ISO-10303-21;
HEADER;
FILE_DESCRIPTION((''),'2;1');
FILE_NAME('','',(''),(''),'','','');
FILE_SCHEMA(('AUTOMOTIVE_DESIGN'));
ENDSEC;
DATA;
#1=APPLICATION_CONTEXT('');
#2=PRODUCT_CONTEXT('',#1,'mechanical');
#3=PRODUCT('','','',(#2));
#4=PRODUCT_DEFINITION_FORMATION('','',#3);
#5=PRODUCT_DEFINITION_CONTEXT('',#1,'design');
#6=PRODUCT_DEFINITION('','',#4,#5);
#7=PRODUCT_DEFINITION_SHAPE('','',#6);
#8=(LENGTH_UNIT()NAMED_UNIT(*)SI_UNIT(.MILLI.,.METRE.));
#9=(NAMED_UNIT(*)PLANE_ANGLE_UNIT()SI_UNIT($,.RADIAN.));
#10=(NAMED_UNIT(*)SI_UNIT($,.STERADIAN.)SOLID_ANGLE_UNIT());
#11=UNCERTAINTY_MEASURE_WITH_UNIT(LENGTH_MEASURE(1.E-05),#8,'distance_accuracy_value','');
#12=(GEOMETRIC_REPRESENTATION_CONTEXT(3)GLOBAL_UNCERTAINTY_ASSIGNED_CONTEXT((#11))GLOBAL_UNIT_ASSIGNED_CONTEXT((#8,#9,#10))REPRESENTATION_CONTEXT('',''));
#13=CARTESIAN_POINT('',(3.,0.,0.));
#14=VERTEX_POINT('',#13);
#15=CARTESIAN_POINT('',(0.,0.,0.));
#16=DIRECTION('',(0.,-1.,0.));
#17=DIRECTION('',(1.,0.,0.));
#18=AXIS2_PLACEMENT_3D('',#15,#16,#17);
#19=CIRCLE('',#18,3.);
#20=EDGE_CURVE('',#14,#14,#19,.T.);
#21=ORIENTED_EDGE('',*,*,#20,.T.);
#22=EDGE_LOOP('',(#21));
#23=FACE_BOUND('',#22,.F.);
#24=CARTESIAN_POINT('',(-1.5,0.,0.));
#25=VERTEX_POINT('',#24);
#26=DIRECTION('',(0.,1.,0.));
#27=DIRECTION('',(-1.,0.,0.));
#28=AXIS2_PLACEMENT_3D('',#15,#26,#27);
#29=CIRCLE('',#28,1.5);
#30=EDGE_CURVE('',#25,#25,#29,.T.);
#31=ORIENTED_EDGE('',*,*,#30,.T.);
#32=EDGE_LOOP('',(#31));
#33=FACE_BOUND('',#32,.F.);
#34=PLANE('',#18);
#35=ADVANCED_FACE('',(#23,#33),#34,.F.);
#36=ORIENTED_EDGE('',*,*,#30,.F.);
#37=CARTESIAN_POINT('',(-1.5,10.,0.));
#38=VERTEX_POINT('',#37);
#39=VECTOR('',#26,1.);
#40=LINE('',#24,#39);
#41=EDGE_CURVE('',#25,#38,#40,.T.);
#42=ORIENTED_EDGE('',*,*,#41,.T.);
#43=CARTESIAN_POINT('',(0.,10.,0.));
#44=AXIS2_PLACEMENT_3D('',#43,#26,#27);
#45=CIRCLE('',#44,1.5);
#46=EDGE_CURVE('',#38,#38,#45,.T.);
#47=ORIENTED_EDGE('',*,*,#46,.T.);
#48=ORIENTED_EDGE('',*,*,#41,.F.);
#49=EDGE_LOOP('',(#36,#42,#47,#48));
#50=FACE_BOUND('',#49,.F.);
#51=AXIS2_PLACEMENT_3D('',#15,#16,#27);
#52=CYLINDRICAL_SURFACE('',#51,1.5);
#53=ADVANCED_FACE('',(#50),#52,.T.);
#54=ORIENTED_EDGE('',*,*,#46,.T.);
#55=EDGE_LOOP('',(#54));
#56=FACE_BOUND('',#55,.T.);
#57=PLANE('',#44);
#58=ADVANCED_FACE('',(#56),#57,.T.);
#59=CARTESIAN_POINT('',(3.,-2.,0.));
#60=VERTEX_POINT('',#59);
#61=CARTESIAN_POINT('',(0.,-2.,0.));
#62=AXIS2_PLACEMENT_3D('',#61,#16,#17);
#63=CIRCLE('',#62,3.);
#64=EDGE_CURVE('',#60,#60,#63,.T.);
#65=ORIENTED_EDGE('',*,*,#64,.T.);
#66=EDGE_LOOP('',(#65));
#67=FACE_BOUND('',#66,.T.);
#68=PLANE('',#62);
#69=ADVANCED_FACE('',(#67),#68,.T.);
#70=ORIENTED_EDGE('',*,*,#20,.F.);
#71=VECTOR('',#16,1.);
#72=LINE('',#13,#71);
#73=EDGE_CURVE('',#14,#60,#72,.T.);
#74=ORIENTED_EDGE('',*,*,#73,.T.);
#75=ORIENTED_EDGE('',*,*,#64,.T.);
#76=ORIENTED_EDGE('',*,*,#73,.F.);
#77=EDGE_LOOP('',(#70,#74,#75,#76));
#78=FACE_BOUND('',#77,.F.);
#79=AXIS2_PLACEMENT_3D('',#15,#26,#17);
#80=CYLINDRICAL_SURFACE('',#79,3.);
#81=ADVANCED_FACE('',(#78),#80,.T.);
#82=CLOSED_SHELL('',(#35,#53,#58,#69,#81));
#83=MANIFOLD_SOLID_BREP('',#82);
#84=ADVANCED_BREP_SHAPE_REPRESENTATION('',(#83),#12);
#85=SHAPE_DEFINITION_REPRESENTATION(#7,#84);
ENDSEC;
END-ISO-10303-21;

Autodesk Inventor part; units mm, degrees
ref_plane "YZ Plane" through (0, 0, 0) normal (1, 0, 0) x (0, 1, 0)
ref_plane "XZ Plane" through (0, 0, 0) normal (0, 1, 0) x (-1, 0, 0)
ref_plane "XY Plane" through (0, 0, 0) normal (0, 0, 1) x (1, 0, 0)
sketch "Sketch1" plane through (0, 0, 0) normal (0, 1, 0) x (-1, 0, 0)
  circle A0 centre (0, 0) radius 1.5
  dimension "d0" = 3
extrude "Extrusion1" add sketch "Sketch1" along normal blind 10
sketch "Sketch2" plane through (0, 0, 0) normal (0, -1, 0) x (1, 0, 0)
  circle A0 centre (0, 0) radius 3
  dimension "d3" = 6
extrude "Extrusion2" add sketch "Sketch2" along normal blind 2
properties part number "Peg"
